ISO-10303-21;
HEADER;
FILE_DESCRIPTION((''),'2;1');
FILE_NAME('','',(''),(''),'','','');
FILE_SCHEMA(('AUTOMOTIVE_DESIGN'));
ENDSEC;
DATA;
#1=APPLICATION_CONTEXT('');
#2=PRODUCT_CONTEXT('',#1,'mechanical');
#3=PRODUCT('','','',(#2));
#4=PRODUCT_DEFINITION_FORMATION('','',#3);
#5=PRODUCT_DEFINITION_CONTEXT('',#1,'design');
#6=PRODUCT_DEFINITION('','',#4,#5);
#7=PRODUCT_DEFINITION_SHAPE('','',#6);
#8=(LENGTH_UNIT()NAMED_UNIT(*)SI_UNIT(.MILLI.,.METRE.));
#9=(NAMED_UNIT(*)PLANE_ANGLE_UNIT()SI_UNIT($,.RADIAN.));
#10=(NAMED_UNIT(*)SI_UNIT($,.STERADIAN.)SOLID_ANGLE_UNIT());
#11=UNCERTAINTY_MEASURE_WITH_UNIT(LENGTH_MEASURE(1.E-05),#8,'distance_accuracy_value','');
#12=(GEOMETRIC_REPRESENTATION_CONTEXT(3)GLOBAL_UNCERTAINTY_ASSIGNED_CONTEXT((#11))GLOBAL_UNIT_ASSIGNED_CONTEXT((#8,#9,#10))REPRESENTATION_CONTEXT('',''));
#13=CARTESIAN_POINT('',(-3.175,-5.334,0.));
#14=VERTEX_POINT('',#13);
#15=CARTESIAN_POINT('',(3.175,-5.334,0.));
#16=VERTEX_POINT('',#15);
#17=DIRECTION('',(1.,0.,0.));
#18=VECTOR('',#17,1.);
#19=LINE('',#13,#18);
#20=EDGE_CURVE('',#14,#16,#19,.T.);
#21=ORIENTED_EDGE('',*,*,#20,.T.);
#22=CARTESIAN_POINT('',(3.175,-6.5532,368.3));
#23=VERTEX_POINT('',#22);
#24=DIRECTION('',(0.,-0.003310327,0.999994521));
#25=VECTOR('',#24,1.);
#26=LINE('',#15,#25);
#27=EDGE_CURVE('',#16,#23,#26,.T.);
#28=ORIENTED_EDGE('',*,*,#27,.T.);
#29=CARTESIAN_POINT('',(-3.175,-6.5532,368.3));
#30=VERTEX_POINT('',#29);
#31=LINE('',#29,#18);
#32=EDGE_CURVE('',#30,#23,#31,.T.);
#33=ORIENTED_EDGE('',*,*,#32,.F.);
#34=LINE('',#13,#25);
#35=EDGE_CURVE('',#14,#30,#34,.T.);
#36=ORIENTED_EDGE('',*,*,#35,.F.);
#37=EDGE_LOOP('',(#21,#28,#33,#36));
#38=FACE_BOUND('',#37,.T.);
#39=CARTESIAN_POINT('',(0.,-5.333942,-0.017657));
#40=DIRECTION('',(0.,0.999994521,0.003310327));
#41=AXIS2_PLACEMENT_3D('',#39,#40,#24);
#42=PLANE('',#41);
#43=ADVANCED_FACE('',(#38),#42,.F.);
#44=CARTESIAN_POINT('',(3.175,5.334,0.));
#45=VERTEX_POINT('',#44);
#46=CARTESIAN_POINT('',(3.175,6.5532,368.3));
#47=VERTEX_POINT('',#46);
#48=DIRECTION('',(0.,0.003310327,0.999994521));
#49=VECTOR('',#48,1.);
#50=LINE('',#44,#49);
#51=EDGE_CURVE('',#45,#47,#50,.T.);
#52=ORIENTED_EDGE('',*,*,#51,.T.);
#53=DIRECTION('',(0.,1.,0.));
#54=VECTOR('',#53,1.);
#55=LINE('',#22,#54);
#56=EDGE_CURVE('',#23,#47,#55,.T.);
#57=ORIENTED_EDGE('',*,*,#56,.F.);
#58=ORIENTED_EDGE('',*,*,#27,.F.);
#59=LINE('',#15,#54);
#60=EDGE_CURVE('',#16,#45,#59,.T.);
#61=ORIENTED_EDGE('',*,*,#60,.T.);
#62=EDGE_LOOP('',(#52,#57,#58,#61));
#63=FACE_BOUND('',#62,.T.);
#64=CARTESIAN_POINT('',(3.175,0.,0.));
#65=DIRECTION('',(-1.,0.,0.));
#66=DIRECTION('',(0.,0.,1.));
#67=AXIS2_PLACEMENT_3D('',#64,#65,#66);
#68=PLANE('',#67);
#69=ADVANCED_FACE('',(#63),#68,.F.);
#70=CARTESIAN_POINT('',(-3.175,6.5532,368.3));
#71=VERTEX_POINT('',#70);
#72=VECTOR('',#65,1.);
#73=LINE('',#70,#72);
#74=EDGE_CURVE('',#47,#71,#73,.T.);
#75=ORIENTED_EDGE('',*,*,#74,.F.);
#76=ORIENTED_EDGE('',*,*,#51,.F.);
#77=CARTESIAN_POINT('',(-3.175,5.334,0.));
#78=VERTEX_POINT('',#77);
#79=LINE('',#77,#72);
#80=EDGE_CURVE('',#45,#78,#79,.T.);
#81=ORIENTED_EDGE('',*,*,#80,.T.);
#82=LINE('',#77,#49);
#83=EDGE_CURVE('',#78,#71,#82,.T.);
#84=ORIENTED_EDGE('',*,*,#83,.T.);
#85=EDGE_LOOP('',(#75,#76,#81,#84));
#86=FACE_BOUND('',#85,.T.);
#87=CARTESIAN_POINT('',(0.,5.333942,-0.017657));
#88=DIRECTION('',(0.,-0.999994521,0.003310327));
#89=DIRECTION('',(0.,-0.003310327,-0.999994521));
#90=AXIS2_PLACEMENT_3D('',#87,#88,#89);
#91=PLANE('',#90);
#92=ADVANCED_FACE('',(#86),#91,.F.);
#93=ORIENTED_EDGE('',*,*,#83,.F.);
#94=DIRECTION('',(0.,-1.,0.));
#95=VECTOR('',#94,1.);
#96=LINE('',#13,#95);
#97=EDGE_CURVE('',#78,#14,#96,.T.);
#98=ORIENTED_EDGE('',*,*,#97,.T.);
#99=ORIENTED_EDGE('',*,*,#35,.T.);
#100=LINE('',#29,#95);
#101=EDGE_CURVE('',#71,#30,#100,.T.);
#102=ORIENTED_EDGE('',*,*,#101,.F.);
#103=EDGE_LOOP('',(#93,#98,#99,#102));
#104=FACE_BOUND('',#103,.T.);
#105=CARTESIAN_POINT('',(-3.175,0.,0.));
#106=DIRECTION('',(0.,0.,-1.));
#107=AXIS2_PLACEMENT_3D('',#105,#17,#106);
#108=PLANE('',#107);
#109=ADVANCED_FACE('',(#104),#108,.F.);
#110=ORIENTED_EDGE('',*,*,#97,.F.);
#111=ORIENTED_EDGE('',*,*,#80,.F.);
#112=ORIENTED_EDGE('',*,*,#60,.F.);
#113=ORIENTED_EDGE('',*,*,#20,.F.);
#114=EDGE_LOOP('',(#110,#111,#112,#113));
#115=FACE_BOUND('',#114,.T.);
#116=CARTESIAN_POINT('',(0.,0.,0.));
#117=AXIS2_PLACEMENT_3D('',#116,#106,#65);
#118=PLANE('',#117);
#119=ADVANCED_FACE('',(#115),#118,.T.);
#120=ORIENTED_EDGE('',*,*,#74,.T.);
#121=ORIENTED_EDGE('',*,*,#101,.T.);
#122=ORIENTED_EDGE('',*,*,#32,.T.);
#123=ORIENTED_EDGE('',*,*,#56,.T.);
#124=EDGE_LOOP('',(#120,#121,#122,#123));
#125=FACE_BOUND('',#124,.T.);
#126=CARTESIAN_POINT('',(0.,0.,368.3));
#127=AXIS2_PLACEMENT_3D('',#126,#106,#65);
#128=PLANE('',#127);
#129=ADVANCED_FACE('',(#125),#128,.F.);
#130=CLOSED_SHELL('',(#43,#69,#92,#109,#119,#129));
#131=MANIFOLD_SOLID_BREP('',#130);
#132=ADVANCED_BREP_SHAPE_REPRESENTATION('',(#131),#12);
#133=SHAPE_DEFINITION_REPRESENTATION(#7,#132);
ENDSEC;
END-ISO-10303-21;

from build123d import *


with BuildPart() as part:
    # Sketch1 → Loft1 section 0
    with BuildSketch(Plane.XY):
        with BuildLine():
            Line((-3.175, -5.334), (3.175, -5.334))
            Line((3.175, -5.334), (3.175, 5.334))
            Line((3.175, 5.334), (-3.175, 5.334))
            Line((-3.175, 5.334), (-3.175, -5.334))
        make_face()
    # Sketch2 → Loft1 section 1
    with BuildSketch(Plane.XY.offset(368.3)):
        with BuildLine():
            Line((-3.175, -6.5532), (3.175, -6.5532))
            Line((3.175, -6.5532), (3.175, 6.5532))
            Line((3.175, 6.5532), (-3.175, 6.5532))
            Line((-3.175, 6.5532), (-3.175, -6.5532))
        make_face()
    loft()


solid = part.part
